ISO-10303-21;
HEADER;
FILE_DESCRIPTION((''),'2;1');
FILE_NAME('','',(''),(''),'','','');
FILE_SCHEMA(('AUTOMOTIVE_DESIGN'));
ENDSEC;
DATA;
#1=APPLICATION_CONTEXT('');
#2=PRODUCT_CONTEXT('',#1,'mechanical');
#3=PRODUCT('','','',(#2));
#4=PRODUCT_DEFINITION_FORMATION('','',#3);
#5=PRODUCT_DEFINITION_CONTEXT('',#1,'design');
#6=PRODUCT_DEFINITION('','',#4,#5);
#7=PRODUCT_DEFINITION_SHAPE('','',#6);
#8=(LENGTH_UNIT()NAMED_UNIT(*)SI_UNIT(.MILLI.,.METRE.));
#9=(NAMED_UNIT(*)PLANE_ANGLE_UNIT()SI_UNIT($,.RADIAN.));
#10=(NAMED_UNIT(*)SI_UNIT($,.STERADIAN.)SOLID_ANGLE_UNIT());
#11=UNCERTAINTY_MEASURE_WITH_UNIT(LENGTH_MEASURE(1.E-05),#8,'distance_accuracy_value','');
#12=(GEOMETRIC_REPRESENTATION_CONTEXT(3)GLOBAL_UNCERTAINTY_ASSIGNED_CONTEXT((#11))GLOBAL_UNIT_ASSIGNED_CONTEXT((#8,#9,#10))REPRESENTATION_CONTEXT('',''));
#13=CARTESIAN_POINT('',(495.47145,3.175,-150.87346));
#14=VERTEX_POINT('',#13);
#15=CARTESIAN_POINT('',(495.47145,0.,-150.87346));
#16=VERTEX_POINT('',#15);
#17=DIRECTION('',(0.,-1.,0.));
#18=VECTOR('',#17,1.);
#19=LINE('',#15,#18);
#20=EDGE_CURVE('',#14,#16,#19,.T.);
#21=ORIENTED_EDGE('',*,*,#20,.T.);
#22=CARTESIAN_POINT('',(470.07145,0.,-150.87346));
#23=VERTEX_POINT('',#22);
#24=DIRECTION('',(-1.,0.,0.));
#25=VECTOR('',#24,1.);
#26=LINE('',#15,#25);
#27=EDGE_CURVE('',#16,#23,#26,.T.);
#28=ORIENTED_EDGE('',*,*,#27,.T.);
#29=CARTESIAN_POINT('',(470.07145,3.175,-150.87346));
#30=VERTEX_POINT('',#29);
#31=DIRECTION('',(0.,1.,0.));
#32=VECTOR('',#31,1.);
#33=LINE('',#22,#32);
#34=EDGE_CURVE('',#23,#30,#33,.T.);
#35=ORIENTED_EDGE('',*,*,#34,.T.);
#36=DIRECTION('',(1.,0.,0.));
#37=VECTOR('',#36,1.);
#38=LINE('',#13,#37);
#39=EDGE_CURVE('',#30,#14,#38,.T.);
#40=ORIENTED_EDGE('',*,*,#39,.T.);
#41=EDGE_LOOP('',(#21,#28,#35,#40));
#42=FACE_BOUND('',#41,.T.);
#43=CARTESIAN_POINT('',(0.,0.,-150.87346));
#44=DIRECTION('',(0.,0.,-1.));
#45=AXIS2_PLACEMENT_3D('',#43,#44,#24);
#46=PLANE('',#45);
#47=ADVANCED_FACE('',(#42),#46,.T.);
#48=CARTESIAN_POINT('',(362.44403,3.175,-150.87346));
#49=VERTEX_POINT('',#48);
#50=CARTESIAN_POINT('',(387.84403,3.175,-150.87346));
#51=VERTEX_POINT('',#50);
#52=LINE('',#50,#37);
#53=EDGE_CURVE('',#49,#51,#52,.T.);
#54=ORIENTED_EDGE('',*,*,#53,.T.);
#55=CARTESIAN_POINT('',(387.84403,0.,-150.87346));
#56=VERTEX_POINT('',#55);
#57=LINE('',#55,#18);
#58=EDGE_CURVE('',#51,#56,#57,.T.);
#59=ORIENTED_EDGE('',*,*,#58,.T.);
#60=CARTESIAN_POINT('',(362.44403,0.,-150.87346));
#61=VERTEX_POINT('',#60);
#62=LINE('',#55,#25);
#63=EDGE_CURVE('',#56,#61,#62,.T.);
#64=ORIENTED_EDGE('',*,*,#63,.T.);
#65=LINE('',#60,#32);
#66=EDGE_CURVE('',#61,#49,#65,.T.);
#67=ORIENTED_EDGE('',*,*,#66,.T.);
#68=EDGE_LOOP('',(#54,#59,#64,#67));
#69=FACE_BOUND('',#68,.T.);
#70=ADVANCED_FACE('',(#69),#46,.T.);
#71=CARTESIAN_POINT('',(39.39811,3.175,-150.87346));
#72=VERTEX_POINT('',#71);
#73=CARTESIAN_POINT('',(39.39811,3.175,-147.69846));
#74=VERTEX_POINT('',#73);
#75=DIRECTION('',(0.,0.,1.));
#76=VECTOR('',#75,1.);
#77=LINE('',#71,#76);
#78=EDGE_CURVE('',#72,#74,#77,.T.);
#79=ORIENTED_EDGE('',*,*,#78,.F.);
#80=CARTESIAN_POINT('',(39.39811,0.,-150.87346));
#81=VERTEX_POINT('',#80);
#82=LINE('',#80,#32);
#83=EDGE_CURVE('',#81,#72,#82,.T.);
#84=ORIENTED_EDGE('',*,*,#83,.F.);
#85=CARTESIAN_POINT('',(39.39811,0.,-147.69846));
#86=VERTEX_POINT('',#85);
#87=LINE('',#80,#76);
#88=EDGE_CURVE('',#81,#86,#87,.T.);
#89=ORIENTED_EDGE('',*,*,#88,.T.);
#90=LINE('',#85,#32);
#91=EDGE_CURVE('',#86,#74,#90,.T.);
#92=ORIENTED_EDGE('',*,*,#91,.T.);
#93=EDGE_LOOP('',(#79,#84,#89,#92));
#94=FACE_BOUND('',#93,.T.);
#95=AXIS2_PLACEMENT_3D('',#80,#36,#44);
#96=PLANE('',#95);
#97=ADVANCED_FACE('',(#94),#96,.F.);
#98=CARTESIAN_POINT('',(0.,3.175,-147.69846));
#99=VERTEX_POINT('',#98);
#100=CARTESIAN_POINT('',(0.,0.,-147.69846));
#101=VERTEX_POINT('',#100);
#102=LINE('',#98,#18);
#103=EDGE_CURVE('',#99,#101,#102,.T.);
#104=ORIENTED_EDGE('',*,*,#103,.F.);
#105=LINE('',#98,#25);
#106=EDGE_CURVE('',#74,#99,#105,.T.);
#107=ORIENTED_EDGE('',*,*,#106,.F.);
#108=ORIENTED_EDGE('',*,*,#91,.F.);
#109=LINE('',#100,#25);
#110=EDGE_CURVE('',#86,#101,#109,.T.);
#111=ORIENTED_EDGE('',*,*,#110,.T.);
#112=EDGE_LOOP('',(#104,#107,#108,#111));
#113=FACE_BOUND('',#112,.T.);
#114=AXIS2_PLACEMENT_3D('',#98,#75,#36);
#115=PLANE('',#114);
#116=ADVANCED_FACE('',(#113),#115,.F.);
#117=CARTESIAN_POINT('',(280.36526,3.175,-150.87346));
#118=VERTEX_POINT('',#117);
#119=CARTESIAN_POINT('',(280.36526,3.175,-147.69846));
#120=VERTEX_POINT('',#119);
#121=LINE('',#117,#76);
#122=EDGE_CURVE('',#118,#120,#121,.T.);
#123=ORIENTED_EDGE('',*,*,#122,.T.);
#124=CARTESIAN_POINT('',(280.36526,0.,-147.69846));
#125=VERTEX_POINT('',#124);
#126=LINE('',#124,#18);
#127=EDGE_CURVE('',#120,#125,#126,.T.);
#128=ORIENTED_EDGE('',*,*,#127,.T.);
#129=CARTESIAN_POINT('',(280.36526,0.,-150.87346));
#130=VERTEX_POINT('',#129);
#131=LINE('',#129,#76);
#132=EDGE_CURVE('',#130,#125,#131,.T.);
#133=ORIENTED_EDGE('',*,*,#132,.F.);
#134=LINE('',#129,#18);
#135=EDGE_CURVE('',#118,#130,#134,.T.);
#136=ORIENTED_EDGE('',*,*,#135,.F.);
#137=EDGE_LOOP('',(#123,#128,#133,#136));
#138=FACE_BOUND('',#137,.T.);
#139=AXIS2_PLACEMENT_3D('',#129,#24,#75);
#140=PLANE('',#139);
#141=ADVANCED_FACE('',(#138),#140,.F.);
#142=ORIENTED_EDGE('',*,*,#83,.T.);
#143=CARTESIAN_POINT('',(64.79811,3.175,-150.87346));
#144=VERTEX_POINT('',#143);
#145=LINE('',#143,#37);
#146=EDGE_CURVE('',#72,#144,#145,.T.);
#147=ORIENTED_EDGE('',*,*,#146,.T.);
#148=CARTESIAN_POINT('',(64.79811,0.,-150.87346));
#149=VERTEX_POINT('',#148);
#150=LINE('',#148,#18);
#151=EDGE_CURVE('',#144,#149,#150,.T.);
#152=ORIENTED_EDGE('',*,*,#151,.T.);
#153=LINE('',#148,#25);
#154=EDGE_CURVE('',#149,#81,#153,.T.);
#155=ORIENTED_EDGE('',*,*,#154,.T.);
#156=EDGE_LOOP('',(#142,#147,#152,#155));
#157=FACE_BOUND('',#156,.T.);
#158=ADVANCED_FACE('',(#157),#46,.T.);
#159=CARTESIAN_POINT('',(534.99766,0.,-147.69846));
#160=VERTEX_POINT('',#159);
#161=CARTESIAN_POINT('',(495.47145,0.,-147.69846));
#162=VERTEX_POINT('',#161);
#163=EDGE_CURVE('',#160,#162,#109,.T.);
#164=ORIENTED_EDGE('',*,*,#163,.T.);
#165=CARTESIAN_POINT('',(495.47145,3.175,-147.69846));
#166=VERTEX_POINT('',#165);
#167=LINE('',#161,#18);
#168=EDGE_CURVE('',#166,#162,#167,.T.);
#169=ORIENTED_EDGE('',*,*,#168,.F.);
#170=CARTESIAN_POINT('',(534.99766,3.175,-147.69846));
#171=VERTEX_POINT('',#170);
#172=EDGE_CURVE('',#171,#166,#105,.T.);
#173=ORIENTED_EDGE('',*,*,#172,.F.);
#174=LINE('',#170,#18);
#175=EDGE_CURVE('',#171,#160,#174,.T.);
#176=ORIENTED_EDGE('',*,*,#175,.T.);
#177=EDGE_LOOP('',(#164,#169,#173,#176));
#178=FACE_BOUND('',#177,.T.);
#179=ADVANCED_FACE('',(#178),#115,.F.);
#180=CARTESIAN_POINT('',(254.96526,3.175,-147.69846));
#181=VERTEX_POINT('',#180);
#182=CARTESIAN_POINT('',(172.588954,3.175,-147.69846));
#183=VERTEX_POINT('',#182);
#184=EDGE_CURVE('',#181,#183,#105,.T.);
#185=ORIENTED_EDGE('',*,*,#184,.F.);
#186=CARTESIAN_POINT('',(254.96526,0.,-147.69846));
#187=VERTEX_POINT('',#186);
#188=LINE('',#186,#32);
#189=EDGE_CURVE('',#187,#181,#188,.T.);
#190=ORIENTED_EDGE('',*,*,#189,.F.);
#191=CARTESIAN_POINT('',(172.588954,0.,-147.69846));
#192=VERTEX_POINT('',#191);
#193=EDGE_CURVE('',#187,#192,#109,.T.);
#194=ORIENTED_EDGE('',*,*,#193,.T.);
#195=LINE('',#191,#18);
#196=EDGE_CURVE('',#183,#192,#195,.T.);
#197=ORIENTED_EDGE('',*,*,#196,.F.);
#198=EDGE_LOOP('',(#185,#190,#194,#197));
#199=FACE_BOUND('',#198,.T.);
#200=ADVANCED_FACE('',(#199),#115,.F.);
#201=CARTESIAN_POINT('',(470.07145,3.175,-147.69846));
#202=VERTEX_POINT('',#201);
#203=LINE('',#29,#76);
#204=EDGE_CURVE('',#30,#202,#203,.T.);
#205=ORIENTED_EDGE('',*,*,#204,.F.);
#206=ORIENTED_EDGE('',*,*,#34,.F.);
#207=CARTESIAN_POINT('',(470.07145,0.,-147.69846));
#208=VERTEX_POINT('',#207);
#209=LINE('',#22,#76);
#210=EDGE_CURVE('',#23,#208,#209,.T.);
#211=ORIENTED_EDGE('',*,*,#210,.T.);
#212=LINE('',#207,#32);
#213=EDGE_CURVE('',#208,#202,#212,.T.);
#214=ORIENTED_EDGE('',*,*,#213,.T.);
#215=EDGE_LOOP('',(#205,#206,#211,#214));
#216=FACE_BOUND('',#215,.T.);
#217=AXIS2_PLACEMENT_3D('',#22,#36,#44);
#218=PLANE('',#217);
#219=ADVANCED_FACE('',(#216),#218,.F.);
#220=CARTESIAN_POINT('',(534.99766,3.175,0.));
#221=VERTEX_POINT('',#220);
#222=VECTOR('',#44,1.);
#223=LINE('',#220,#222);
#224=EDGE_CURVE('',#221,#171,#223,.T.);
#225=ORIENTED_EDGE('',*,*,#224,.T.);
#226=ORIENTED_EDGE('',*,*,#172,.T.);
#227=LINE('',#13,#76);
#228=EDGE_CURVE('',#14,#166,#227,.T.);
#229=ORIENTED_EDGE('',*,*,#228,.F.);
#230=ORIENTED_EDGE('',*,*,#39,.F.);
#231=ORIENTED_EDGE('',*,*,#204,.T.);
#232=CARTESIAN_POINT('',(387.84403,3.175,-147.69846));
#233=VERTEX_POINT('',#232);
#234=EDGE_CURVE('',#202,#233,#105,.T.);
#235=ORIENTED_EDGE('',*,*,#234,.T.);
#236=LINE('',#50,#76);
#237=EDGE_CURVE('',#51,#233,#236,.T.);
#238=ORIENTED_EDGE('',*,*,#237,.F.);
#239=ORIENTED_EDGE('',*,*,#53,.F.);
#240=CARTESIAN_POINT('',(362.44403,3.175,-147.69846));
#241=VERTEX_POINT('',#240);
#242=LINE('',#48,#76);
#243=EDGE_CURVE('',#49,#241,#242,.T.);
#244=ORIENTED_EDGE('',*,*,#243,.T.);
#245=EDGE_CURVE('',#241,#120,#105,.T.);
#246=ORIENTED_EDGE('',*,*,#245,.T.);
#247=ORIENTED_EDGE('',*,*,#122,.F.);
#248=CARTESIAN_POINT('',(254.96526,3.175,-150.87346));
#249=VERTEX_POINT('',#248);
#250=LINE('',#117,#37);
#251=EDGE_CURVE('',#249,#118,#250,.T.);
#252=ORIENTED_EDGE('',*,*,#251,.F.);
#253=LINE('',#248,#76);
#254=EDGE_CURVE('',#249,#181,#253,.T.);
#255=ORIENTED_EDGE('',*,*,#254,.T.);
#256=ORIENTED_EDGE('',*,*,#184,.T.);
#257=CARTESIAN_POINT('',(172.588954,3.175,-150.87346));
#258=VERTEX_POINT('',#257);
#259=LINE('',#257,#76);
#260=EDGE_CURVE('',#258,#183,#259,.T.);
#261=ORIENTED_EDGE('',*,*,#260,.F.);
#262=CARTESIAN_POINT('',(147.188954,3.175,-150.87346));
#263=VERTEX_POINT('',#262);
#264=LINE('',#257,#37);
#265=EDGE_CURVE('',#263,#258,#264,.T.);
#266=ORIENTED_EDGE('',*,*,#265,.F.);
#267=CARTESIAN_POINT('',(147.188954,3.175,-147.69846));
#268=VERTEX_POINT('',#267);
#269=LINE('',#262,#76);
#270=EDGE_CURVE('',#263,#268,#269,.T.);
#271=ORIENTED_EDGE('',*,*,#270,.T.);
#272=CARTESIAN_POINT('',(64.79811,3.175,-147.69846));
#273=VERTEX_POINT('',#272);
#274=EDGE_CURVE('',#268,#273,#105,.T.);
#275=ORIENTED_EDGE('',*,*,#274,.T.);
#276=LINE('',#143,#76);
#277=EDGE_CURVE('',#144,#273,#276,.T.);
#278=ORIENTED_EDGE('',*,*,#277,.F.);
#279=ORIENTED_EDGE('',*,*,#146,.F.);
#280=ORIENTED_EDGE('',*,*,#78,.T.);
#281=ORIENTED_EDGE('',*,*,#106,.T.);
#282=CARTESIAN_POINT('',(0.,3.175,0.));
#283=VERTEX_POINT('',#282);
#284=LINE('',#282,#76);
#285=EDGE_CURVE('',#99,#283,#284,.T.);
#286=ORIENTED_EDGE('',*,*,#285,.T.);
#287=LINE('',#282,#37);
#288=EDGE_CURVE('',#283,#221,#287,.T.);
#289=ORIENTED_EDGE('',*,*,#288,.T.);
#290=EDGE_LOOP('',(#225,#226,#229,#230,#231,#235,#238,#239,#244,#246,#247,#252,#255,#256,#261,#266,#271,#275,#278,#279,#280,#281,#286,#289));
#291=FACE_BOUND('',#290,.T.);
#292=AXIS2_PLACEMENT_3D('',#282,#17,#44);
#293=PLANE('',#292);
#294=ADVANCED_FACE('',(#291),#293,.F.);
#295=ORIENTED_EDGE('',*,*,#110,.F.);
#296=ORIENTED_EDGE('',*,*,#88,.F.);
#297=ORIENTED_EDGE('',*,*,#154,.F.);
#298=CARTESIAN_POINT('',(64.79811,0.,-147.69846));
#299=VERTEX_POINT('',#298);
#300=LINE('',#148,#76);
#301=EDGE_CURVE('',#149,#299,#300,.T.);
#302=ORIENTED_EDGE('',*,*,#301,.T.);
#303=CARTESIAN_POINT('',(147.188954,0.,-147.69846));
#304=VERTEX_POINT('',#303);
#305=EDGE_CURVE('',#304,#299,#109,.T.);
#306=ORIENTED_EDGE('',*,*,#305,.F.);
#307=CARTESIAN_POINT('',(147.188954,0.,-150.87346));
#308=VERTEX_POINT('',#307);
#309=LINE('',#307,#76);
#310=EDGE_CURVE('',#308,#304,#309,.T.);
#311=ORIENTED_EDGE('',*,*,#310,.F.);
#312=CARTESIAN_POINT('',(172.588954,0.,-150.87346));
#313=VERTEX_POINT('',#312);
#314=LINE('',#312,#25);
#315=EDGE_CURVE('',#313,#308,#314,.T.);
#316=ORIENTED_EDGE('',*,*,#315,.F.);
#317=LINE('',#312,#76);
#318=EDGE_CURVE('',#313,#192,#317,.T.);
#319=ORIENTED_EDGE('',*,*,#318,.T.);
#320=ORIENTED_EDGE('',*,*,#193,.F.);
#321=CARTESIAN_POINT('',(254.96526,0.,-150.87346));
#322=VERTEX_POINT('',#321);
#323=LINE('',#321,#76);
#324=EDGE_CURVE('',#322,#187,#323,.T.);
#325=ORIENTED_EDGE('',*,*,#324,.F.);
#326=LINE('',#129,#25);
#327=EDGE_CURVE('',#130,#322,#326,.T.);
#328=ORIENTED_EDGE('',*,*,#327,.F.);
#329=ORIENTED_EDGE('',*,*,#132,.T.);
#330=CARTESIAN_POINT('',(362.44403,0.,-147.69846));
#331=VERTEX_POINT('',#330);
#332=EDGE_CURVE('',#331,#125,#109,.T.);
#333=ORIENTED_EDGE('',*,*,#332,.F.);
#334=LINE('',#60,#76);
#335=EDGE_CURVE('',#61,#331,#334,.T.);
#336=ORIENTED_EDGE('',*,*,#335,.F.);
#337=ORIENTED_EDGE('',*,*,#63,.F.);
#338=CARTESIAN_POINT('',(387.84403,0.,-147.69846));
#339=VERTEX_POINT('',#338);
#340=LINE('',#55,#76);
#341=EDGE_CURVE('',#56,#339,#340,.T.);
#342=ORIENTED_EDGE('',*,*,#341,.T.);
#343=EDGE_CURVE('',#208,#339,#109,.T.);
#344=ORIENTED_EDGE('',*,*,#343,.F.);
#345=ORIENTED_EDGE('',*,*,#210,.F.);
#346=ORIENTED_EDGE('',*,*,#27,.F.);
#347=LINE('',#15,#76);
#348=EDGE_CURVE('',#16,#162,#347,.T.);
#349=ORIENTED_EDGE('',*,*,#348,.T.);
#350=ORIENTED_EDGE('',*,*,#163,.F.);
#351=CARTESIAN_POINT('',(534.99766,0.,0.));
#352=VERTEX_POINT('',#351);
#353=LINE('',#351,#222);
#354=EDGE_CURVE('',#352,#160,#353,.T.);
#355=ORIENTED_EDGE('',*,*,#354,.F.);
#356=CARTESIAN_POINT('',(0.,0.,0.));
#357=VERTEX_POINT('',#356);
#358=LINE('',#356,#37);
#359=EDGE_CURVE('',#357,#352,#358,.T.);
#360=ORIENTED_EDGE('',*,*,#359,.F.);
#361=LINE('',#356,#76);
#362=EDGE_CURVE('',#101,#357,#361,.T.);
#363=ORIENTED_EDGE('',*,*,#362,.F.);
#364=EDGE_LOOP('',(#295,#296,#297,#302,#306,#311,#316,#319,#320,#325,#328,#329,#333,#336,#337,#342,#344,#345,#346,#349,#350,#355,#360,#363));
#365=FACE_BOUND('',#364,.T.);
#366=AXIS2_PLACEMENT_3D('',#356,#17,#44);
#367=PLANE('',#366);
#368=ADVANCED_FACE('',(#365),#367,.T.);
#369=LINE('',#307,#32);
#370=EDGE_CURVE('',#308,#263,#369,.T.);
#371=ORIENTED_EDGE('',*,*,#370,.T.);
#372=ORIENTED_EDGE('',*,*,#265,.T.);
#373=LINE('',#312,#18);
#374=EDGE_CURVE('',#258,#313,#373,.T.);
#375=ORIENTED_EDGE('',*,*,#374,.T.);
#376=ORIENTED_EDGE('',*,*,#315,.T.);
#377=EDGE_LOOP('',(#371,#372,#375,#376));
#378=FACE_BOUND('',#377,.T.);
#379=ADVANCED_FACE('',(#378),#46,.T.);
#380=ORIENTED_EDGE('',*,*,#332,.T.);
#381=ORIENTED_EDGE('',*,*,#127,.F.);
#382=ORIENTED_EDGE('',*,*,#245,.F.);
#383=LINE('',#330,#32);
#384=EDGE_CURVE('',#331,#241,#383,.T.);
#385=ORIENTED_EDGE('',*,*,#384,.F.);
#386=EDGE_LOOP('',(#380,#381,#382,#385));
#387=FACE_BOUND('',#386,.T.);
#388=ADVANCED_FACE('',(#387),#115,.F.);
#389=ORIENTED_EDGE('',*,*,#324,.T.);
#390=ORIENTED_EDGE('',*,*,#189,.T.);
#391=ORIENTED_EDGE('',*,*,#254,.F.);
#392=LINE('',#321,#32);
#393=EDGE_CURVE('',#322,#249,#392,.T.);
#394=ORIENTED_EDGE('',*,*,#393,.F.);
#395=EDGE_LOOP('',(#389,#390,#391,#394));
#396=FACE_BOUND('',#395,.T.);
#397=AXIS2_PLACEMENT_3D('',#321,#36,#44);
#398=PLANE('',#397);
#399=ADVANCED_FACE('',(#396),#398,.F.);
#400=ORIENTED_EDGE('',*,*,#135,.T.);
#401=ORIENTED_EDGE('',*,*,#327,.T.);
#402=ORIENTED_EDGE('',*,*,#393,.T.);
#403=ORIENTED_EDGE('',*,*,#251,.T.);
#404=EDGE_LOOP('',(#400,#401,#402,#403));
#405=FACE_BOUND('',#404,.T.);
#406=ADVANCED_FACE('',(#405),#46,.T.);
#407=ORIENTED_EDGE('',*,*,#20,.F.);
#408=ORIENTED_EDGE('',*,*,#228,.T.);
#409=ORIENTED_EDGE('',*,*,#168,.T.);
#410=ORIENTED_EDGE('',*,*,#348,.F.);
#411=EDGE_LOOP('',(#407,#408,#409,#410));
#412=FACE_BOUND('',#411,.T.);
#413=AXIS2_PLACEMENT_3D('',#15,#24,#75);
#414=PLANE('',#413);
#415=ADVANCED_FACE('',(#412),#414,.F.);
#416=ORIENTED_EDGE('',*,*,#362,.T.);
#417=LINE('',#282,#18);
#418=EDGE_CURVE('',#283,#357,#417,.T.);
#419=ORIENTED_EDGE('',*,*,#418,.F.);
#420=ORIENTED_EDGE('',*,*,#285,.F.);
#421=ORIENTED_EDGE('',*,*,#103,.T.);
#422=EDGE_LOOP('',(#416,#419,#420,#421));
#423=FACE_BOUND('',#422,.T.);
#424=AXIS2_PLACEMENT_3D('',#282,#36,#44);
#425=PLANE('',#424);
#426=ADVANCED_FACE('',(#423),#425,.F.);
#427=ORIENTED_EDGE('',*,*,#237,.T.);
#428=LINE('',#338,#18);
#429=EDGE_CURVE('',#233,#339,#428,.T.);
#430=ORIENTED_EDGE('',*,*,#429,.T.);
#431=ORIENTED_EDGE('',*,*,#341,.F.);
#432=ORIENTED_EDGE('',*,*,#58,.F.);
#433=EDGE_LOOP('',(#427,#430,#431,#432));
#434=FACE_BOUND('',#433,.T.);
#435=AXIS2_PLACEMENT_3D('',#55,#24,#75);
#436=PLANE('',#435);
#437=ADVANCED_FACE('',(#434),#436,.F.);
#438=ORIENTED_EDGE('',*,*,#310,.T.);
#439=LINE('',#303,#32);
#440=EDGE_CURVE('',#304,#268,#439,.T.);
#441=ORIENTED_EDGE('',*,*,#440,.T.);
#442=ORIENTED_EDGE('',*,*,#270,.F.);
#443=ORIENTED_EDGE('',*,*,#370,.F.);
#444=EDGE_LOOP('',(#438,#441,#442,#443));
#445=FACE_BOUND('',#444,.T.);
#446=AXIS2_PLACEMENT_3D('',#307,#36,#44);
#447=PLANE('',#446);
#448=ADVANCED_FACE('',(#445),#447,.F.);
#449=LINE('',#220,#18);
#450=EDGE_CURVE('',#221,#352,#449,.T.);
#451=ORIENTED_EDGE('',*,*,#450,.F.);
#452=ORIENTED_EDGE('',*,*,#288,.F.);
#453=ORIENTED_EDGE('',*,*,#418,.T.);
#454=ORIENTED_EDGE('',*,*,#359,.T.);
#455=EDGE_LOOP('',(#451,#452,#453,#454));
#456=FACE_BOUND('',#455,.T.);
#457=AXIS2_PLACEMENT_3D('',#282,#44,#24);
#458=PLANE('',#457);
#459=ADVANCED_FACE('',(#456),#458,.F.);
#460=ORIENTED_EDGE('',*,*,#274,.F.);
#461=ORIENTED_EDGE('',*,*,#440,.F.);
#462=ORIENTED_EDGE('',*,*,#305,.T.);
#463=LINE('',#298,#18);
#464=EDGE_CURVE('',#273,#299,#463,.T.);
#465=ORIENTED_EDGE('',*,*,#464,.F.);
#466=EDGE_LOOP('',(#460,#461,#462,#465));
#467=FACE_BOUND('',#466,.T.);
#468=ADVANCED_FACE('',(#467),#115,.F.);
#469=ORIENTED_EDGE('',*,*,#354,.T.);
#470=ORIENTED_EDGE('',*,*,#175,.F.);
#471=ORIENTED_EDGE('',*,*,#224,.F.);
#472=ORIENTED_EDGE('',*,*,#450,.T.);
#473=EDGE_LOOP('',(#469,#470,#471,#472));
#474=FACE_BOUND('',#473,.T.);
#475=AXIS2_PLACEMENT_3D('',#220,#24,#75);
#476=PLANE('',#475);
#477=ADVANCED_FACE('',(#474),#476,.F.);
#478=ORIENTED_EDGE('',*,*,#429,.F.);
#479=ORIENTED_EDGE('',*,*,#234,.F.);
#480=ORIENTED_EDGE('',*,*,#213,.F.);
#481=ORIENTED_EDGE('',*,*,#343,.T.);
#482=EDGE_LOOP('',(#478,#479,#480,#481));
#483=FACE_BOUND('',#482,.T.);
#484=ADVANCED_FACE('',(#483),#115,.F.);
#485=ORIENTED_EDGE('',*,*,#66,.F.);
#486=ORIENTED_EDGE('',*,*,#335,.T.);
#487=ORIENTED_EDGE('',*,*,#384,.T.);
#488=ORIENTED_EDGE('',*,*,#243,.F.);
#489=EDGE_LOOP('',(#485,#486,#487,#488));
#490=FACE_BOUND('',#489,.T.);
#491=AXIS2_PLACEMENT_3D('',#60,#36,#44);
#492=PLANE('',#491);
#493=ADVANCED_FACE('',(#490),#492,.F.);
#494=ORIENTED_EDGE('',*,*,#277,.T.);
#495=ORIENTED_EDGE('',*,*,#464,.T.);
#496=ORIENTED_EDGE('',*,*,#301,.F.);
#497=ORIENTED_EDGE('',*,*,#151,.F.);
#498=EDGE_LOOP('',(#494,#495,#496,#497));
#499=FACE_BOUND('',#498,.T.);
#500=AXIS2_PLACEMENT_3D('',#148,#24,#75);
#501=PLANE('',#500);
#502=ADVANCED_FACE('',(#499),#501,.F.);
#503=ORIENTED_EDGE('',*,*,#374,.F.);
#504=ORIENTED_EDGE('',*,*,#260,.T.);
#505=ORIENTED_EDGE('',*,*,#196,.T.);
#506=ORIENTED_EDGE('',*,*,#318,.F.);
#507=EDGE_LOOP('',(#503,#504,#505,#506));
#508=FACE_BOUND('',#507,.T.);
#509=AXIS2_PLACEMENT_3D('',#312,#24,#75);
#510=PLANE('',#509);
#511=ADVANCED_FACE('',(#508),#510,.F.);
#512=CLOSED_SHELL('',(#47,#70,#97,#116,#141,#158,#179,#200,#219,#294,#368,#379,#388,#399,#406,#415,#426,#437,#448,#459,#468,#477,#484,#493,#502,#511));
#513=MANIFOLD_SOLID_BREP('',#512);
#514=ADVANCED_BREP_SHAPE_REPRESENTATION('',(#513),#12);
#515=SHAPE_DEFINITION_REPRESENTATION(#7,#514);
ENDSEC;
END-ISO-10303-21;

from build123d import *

# Parameters (mm, degrees)
SKETCH1_W           = 534.99766
SKETCH1_H           = 147.69846
BOSS_EXTRUDE1_DEPTH = 3.175
SKETCH2_W           = 25.4
SKETCH2_H           = 3.175
BOSS_EXTRUDE2_DEPTH = 3.175


with BuildPart() as part:
    # Sketch1 → Boss-Extrude1 (new body)
    with BuildSketch(Plane(origin=(0, 0, 0), x_dir=(1, 0, 0), z_dir=(0, 1, 0))):
        with Locations((267.49883, 73.84923)):
            Rectangle(SKETCH1_W, SKETCH1_H)
    extrude(amount=BOSS_EXTRUDE1_DEPTH)

    # Sketch2 → Boss-Extrude2 (add)
    with BuildSketch(Plane(origin=(0, 0, -147.69846), x_dir=(-1, 0, 0), z_dir=(0, 0, -1))):
        with Locations((-482.77145, 1.5875)):
            Rectangle(SKETCH2_W, SKETCH2_H)
        with Locations((-375.14403, 1.5875)):
            Rectangle(SKETCH2_W, SKETCH2_H)
        with Locations((-267.665260384, 1.5875)):
            Rectangle(SKETCH2_W, SKETCH2_H)
        with Locations((-159.888954488, 1.5875)):
            Rectangle(SKETCH2_W, SKETCH2_H)
        with Locations((-52.098109833, 1.5875)):
            Rectangle(SKETCH2_W, SKETCH2_H)
    extrude(amount=BOSS_EXTRUDE2_DEPTH)


solid = part.part
